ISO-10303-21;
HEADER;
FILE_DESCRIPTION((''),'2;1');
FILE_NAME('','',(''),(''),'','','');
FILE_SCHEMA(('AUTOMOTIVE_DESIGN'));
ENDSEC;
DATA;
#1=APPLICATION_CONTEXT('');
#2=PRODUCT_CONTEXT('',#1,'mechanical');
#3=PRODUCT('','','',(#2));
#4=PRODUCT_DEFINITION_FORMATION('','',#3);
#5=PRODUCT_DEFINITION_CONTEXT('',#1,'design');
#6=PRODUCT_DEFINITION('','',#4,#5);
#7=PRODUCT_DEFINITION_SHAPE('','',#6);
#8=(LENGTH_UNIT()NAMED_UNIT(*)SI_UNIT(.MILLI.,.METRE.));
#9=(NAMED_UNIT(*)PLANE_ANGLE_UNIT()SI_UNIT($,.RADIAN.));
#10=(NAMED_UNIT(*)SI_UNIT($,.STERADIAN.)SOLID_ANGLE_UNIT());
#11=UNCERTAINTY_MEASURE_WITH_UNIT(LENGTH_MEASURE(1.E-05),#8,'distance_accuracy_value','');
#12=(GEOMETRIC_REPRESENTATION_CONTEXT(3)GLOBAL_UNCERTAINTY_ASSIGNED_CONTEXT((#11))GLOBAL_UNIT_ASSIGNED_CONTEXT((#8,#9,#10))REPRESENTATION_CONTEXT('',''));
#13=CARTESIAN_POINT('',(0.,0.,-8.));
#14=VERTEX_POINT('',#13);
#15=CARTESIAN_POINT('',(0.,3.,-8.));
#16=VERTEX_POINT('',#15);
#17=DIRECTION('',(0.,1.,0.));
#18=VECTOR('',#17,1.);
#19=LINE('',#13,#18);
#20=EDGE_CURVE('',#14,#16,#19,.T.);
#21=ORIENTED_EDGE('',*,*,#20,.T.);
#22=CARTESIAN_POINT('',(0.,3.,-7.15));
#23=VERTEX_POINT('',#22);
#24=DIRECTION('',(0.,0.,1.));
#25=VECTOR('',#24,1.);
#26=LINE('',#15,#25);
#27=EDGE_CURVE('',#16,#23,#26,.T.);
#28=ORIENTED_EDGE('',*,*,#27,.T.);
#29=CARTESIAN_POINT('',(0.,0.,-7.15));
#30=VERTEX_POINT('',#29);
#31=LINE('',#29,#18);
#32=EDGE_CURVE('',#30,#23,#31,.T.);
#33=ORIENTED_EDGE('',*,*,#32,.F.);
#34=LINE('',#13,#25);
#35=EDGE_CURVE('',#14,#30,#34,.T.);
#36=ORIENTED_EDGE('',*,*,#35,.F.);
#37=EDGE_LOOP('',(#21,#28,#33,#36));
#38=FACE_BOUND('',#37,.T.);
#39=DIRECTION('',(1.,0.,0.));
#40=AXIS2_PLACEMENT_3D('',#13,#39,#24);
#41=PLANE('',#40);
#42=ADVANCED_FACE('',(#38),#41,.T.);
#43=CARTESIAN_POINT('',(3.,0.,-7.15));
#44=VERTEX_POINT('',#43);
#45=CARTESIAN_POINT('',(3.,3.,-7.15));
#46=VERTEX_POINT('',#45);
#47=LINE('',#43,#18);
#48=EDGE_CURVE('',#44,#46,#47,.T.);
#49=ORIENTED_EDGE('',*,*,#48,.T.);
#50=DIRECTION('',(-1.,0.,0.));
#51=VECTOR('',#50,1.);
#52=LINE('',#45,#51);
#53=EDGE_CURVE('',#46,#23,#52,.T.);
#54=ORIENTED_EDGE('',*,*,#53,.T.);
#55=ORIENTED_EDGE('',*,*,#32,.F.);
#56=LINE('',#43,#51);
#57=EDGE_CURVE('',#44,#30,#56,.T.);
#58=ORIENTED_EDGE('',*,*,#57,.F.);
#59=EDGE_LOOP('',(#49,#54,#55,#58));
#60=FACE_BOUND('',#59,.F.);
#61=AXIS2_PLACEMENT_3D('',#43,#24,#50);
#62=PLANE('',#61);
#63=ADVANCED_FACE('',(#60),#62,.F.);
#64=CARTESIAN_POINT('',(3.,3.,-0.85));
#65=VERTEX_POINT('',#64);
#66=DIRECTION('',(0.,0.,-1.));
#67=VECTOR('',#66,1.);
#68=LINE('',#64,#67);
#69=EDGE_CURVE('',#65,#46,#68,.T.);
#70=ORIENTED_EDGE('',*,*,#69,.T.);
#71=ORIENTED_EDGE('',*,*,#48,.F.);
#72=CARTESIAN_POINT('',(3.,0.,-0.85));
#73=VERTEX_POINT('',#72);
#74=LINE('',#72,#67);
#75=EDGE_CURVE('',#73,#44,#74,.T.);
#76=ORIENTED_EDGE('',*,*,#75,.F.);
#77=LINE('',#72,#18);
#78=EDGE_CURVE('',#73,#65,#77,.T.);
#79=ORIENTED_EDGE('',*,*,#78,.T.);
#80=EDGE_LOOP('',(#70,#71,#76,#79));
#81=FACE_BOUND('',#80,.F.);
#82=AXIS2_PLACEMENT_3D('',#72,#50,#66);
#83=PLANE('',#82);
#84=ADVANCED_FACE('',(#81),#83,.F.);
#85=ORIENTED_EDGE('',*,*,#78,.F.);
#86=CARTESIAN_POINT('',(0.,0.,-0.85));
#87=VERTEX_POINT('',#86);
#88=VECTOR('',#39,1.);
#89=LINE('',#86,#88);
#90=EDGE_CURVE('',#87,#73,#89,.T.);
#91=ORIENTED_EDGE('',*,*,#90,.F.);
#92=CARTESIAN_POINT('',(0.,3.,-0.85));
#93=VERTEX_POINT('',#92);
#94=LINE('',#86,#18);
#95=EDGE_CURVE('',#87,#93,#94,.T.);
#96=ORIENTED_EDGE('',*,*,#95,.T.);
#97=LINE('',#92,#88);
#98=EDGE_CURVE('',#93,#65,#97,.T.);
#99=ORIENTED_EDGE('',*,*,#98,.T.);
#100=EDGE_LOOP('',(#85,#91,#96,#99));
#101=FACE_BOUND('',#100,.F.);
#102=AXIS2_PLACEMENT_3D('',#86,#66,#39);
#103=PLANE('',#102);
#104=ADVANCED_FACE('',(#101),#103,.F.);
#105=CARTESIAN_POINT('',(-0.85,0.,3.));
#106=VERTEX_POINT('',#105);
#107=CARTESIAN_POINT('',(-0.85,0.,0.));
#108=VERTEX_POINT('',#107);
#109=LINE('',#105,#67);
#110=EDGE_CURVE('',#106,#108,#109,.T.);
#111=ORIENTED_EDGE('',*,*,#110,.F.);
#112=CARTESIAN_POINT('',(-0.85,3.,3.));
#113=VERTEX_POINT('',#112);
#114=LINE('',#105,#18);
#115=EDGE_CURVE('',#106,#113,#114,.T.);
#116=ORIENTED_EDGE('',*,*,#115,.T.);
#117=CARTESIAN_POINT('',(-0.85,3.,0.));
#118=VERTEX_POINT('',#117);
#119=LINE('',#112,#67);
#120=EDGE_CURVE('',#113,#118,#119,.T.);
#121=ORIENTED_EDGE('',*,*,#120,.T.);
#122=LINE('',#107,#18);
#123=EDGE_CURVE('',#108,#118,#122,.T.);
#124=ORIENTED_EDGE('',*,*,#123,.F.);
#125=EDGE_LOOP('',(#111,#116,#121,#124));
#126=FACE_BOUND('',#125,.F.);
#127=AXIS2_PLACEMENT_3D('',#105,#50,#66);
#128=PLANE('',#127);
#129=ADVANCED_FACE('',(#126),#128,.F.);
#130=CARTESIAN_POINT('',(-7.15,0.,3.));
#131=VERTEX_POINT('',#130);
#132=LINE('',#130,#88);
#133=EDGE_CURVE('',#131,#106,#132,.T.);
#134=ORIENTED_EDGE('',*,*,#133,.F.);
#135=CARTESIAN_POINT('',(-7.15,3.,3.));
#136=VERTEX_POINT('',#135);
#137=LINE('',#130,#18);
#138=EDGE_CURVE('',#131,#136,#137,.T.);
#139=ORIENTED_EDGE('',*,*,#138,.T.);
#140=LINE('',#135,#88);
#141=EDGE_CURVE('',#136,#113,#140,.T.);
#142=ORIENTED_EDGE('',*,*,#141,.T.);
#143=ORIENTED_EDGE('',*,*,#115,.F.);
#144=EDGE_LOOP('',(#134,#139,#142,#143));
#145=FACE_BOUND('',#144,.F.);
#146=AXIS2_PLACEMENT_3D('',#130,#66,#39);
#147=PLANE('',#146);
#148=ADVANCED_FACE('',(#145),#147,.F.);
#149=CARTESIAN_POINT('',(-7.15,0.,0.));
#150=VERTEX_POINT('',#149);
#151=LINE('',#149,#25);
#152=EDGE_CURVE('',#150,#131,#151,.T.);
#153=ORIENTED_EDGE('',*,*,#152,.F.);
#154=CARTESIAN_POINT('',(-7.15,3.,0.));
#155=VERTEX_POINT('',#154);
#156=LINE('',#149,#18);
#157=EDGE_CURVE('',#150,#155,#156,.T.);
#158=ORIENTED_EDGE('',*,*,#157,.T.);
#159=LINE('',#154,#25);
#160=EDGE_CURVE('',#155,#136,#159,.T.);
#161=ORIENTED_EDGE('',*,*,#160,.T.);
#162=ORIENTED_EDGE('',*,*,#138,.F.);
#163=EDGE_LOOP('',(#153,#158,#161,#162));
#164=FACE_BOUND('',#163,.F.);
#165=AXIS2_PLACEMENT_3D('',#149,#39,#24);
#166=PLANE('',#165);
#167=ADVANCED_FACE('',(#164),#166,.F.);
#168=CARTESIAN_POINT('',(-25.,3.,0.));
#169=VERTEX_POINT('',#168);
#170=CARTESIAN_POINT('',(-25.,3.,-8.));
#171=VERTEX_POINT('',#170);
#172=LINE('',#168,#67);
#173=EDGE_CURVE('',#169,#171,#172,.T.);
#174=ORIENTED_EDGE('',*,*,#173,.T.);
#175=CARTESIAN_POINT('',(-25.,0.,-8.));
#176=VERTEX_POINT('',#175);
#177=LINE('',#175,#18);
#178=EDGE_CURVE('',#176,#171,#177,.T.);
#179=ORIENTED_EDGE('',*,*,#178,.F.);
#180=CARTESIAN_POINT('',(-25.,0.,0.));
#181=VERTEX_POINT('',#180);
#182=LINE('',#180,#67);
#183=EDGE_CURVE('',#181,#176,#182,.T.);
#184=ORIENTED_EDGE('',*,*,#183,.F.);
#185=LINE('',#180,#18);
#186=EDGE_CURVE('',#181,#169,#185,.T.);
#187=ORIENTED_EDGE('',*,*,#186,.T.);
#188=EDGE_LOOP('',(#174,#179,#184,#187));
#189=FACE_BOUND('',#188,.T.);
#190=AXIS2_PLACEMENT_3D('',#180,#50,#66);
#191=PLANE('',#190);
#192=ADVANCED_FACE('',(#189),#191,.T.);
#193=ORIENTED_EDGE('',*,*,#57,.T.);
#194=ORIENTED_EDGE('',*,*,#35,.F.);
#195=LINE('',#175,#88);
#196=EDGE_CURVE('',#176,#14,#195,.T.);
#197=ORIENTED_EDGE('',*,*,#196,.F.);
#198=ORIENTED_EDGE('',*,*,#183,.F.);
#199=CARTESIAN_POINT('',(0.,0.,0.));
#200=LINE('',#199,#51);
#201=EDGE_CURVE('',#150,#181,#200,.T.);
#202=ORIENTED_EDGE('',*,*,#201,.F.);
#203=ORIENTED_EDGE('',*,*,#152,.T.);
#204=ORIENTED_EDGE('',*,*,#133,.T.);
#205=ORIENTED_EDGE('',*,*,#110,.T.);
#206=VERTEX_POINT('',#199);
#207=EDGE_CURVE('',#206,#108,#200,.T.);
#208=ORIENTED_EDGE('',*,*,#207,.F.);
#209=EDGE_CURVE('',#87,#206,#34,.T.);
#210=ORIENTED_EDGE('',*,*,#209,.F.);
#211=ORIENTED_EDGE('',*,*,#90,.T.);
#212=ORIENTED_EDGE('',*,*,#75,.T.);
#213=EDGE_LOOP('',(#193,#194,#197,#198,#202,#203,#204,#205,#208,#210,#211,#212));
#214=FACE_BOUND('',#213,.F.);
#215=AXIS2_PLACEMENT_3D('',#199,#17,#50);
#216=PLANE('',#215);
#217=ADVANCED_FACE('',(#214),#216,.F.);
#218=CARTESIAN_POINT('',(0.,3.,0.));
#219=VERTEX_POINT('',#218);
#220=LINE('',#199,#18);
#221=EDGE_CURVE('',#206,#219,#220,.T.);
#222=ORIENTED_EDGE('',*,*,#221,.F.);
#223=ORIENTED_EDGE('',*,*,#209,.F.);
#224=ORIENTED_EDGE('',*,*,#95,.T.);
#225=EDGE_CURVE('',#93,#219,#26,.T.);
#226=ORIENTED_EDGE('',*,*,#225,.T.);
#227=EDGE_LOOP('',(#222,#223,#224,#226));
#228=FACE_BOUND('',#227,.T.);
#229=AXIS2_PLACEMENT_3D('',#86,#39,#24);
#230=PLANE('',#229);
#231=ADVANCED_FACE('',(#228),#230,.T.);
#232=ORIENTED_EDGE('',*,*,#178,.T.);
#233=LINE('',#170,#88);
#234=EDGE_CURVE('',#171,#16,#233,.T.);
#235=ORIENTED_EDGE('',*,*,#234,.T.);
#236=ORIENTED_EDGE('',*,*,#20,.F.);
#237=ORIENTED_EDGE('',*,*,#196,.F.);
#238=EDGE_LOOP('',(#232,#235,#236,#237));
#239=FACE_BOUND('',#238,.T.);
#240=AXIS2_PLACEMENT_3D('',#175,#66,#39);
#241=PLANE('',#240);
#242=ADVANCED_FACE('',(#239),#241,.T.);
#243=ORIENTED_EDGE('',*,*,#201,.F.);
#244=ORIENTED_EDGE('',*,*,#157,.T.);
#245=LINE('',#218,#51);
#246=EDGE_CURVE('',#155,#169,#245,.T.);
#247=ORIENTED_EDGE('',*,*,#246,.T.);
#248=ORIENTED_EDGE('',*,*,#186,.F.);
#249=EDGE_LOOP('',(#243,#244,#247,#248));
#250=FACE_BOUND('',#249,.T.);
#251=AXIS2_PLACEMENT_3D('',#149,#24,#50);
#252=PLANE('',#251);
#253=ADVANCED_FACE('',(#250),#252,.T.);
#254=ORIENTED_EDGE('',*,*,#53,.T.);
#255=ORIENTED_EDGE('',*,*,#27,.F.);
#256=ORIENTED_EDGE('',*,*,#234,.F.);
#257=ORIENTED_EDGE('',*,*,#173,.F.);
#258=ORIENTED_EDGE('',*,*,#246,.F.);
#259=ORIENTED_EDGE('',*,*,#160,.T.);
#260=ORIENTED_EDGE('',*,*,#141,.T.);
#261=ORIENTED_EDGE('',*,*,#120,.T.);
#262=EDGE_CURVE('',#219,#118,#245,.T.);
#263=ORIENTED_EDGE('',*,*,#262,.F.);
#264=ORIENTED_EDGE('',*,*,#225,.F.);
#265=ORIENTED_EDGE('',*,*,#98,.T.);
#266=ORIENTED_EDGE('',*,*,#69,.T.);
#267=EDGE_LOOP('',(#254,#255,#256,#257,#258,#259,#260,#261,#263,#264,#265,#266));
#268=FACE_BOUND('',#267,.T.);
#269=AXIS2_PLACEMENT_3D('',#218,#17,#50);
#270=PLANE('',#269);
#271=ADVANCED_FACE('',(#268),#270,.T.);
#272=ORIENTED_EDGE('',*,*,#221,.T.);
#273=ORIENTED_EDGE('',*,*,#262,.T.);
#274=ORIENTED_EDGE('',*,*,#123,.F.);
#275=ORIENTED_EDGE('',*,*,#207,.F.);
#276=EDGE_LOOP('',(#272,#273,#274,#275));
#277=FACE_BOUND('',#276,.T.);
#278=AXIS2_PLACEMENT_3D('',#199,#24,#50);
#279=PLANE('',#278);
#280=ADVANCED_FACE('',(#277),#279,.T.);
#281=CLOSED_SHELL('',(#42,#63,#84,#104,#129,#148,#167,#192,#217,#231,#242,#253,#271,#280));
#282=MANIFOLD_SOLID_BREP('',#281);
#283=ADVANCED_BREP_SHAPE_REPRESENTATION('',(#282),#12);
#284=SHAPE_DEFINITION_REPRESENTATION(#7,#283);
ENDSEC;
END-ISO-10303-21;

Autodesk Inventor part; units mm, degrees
ref_plane "YZ Plane" through (0, 0, 0) normal (1, 0, 0) x (0, 1, 0)
ref_plane "XZ Plane" through (0, 0, 0) normal (0, 1, 0) x (-1, 0, 0)
ref_plane "XY Plane" through (0, 0, 0) normal (0, 0, 1) x (1, 0, 0)
sketch "草圖5" plane through (0, 0, 0) normal (0, 1, 0) x (-1, 0, 0)
  line L0 (7.15, 3) -> (0.85, 3)
  line L1 (0.85, 3) -> (0.85, 0)
  line L2 (0.85, 0) -> (7.15, 0)
  line L3 (7.15, 0) -> (7.15, 3)
  line L4 (0, -0.85) -> (-3, -0.85)
  line L5 (-3, -0.85) -> (-3, -7.15)
  line L6 (-3, -7.15) -> (0, -7.15)
  line L7 (0, -7.15) -> (0, -0.85)
  line L8 (0, 0) -> (25, 0)
  line L9 (25, 0) -> (25, -8)
  line L10 (25, -8) -> (0, -8)
  line L11 (0, -8) -> (0, 0)
  point P0 (7.15, 0)
  dimension "d17" = 0.85
  dimension "d18" = 0.85
  dimension "d19" = 3
  dimension "d20" = 6.3
  dimension "d21" = 6.3
  dimension "d22" = 25
  dimension "d23" = 8
  dimension "d24" = 3
extrude "擠出3" add sketch "草圖5" along normal blind 3
equation "\"d18\" = d17"
equation "\"d20\" = d21"
properties part number "chassis_1_4"
